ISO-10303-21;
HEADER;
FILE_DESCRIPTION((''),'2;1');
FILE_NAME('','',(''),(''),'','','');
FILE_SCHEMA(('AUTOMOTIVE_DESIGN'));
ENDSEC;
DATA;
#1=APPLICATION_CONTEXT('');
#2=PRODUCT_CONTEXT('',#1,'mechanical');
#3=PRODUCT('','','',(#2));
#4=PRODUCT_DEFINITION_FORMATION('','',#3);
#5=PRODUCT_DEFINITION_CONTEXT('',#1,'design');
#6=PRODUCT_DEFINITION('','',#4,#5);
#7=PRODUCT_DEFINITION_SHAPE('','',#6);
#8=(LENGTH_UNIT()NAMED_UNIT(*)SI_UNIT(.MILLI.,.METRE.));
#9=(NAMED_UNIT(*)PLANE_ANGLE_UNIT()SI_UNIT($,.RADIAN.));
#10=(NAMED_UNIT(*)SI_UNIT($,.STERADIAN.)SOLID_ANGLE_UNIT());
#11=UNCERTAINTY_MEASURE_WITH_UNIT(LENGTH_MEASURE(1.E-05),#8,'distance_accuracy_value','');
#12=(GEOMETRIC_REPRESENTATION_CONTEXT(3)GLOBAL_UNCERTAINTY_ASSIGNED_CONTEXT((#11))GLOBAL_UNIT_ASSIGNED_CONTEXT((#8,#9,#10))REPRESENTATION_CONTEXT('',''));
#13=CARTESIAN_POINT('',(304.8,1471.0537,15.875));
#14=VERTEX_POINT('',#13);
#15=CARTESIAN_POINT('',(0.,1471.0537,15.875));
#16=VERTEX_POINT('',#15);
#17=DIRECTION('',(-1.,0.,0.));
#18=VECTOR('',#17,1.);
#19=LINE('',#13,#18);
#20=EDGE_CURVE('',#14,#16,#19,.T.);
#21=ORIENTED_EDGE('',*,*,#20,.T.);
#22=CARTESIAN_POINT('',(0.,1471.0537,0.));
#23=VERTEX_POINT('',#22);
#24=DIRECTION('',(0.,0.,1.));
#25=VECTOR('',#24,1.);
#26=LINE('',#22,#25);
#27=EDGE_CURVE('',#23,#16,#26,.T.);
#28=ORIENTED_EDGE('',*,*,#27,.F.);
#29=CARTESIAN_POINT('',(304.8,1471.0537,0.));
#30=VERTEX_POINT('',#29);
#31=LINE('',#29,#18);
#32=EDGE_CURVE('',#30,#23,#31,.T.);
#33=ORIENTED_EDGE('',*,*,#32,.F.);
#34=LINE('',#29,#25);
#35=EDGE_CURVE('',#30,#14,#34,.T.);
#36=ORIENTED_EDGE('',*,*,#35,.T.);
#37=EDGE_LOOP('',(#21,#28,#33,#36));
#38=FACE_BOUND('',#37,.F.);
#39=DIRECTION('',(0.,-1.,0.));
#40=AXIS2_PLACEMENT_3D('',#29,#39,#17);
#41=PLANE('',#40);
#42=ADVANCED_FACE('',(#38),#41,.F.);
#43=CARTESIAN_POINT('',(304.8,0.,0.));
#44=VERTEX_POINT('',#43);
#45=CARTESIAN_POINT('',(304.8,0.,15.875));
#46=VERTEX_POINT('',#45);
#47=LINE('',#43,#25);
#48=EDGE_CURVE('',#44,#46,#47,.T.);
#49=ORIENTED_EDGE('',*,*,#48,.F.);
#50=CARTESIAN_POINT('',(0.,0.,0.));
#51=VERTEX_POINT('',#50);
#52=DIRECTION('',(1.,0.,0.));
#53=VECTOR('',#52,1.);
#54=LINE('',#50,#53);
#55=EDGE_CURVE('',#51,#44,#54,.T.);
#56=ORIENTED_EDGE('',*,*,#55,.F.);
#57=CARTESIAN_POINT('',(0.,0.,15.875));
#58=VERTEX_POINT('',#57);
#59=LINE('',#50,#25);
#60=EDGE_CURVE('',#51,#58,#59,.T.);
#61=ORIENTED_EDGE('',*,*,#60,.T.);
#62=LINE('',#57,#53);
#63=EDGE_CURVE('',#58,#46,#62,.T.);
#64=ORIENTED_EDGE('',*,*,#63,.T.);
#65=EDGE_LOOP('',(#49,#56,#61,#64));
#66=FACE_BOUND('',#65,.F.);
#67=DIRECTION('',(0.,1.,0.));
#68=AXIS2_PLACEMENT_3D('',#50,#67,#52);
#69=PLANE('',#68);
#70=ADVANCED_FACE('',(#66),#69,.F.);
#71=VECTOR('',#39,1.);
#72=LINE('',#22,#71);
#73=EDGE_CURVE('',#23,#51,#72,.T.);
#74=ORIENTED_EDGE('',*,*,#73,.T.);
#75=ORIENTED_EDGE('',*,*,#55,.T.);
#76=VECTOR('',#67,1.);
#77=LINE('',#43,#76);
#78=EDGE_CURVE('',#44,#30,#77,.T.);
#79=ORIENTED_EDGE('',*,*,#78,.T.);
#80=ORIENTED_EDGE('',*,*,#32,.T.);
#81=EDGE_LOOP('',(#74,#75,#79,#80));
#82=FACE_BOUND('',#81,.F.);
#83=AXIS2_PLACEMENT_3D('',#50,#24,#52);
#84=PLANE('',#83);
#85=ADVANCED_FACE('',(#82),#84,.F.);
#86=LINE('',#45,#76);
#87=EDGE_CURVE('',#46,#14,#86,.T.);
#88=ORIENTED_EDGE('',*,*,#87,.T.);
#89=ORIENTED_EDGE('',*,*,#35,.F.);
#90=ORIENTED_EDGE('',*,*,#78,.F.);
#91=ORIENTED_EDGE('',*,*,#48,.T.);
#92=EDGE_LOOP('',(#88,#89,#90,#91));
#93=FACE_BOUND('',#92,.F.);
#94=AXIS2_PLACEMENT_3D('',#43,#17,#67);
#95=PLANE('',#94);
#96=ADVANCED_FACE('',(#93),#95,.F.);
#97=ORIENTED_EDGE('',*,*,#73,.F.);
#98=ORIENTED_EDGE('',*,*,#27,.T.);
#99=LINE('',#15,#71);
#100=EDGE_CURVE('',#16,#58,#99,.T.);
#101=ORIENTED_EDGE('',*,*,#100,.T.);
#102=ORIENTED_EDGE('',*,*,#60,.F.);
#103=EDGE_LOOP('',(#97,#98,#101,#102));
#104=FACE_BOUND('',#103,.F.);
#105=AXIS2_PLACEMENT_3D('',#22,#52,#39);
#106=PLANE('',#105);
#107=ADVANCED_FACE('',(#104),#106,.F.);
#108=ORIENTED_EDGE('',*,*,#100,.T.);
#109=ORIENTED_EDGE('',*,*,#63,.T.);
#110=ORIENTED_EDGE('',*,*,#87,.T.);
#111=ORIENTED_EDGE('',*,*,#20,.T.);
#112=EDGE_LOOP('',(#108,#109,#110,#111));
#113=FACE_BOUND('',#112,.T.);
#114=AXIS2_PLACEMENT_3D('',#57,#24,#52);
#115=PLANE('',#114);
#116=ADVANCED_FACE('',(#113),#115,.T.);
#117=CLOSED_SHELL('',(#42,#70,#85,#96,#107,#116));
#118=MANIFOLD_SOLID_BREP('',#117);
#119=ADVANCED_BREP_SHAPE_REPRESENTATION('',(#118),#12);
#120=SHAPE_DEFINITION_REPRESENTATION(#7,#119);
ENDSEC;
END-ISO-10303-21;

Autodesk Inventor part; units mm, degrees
ref_plane "YZ Plane" through (0, 0, 0) normal (1, 0, 0) x (0, 1, 0)
ref_plane "XZ Plane" through (0, 0, 0) normal (0, 1, 0) x (-1, 0, 0)
ref_plane "XY Plane" through (0, 0, 0) normal (0, 0, 1) x (1, 0, 0)
sketch "Sketch1" plane through (0, 0, 0) normal (0, 0, 1) x (1, 0, 0)
  line L0 (0, 0) -> (304.8, 0)
  line L1 (304.8, 0) -> (304.8, 1471.0537)
  line L2 (304.8, 1471.0537) -> (0, 1471.0537)
  line L3 (0, 1471.0537) -> (0, 0)
  dimension "d2" = 1471.0537
  dimension "d3" = 304.8
extrude "Extrusion1" add sketch "Sketch1" along normal blind 15.875
properties part number "DensGlass_With_Dimensions_60.75_x_12_Inches" material "Wood (Birch)"
